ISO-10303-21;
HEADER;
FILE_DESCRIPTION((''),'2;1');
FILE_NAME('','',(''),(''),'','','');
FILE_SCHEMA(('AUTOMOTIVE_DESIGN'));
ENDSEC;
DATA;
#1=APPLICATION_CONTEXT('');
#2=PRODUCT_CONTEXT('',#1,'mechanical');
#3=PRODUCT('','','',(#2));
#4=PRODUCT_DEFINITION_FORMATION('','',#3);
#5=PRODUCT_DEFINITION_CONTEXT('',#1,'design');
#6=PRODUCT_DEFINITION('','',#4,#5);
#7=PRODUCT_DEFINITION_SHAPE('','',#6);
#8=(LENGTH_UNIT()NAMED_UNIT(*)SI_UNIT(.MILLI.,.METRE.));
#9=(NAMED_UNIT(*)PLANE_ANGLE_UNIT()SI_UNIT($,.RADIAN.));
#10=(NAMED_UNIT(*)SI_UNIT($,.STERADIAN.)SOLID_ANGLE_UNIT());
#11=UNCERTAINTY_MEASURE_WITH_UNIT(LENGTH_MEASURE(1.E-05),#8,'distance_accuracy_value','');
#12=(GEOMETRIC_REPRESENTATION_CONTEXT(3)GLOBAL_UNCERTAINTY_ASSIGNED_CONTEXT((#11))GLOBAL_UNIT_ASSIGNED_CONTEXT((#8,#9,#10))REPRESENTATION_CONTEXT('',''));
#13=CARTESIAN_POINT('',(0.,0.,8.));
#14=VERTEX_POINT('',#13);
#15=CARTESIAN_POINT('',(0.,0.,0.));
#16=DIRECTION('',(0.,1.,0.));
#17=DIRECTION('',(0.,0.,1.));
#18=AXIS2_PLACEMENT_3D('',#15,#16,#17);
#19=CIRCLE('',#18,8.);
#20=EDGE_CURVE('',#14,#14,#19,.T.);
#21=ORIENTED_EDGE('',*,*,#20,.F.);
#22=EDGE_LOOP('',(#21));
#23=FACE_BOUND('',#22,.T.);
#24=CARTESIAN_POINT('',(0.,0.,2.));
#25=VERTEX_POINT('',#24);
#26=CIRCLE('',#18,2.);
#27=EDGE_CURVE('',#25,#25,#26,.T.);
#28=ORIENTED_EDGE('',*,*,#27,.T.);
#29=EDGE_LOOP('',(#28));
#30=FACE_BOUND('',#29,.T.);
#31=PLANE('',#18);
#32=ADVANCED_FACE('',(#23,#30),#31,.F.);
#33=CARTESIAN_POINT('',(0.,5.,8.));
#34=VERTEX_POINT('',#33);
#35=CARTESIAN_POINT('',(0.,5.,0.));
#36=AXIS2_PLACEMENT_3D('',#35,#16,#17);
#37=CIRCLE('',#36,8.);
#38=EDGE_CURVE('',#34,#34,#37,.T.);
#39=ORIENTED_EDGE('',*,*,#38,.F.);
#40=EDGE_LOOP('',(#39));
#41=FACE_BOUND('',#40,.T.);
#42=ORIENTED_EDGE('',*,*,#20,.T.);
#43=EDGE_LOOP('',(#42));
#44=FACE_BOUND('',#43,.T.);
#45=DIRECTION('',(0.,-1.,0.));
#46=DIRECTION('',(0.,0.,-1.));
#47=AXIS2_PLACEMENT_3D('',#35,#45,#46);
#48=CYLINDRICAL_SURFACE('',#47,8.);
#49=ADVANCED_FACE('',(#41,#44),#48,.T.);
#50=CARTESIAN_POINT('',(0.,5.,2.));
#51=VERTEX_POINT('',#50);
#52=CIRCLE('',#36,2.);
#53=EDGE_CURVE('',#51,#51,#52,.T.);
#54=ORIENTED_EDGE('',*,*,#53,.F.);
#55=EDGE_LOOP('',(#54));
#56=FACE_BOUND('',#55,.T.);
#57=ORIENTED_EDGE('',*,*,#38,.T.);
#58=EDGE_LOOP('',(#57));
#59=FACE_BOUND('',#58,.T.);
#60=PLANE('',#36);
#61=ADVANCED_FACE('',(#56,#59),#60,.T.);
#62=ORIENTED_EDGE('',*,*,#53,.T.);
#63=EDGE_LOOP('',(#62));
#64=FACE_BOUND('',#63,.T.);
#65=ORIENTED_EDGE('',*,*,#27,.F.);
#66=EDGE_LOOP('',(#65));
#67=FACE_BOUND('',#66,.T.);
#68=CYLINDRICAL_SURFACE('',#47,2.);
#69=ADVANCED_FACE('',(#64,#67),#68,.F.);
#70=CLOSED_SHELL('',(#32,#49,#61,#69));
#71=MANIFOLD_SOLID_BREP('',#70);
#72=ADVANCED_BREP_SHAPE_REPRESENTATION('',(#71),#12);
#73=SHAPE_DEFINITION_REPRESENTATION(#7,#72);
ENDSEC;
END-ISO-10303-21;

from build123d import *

# Parameters (mm, degrees)
SKETCH_1_R      = 8
SKETCH_1_R_2    = 2
EXTRUDE_1_DEPTH = 5


with BuildPart() as part:
    # 草图1 → 凸台-拉伸1 (new body)
    with BuildSketch(Plane(origin=(0, 0, 0), x_dir=(1, 0, 0), z_dir=(0, 1, 0))):
        Circle(SKETCH_1_R)
        Circle(SKETCH_1_R_2, mode=Mode.SUBTRACT)
    extrude(amount=EXTRUDE_1_DEPTH)


solid = part.part
